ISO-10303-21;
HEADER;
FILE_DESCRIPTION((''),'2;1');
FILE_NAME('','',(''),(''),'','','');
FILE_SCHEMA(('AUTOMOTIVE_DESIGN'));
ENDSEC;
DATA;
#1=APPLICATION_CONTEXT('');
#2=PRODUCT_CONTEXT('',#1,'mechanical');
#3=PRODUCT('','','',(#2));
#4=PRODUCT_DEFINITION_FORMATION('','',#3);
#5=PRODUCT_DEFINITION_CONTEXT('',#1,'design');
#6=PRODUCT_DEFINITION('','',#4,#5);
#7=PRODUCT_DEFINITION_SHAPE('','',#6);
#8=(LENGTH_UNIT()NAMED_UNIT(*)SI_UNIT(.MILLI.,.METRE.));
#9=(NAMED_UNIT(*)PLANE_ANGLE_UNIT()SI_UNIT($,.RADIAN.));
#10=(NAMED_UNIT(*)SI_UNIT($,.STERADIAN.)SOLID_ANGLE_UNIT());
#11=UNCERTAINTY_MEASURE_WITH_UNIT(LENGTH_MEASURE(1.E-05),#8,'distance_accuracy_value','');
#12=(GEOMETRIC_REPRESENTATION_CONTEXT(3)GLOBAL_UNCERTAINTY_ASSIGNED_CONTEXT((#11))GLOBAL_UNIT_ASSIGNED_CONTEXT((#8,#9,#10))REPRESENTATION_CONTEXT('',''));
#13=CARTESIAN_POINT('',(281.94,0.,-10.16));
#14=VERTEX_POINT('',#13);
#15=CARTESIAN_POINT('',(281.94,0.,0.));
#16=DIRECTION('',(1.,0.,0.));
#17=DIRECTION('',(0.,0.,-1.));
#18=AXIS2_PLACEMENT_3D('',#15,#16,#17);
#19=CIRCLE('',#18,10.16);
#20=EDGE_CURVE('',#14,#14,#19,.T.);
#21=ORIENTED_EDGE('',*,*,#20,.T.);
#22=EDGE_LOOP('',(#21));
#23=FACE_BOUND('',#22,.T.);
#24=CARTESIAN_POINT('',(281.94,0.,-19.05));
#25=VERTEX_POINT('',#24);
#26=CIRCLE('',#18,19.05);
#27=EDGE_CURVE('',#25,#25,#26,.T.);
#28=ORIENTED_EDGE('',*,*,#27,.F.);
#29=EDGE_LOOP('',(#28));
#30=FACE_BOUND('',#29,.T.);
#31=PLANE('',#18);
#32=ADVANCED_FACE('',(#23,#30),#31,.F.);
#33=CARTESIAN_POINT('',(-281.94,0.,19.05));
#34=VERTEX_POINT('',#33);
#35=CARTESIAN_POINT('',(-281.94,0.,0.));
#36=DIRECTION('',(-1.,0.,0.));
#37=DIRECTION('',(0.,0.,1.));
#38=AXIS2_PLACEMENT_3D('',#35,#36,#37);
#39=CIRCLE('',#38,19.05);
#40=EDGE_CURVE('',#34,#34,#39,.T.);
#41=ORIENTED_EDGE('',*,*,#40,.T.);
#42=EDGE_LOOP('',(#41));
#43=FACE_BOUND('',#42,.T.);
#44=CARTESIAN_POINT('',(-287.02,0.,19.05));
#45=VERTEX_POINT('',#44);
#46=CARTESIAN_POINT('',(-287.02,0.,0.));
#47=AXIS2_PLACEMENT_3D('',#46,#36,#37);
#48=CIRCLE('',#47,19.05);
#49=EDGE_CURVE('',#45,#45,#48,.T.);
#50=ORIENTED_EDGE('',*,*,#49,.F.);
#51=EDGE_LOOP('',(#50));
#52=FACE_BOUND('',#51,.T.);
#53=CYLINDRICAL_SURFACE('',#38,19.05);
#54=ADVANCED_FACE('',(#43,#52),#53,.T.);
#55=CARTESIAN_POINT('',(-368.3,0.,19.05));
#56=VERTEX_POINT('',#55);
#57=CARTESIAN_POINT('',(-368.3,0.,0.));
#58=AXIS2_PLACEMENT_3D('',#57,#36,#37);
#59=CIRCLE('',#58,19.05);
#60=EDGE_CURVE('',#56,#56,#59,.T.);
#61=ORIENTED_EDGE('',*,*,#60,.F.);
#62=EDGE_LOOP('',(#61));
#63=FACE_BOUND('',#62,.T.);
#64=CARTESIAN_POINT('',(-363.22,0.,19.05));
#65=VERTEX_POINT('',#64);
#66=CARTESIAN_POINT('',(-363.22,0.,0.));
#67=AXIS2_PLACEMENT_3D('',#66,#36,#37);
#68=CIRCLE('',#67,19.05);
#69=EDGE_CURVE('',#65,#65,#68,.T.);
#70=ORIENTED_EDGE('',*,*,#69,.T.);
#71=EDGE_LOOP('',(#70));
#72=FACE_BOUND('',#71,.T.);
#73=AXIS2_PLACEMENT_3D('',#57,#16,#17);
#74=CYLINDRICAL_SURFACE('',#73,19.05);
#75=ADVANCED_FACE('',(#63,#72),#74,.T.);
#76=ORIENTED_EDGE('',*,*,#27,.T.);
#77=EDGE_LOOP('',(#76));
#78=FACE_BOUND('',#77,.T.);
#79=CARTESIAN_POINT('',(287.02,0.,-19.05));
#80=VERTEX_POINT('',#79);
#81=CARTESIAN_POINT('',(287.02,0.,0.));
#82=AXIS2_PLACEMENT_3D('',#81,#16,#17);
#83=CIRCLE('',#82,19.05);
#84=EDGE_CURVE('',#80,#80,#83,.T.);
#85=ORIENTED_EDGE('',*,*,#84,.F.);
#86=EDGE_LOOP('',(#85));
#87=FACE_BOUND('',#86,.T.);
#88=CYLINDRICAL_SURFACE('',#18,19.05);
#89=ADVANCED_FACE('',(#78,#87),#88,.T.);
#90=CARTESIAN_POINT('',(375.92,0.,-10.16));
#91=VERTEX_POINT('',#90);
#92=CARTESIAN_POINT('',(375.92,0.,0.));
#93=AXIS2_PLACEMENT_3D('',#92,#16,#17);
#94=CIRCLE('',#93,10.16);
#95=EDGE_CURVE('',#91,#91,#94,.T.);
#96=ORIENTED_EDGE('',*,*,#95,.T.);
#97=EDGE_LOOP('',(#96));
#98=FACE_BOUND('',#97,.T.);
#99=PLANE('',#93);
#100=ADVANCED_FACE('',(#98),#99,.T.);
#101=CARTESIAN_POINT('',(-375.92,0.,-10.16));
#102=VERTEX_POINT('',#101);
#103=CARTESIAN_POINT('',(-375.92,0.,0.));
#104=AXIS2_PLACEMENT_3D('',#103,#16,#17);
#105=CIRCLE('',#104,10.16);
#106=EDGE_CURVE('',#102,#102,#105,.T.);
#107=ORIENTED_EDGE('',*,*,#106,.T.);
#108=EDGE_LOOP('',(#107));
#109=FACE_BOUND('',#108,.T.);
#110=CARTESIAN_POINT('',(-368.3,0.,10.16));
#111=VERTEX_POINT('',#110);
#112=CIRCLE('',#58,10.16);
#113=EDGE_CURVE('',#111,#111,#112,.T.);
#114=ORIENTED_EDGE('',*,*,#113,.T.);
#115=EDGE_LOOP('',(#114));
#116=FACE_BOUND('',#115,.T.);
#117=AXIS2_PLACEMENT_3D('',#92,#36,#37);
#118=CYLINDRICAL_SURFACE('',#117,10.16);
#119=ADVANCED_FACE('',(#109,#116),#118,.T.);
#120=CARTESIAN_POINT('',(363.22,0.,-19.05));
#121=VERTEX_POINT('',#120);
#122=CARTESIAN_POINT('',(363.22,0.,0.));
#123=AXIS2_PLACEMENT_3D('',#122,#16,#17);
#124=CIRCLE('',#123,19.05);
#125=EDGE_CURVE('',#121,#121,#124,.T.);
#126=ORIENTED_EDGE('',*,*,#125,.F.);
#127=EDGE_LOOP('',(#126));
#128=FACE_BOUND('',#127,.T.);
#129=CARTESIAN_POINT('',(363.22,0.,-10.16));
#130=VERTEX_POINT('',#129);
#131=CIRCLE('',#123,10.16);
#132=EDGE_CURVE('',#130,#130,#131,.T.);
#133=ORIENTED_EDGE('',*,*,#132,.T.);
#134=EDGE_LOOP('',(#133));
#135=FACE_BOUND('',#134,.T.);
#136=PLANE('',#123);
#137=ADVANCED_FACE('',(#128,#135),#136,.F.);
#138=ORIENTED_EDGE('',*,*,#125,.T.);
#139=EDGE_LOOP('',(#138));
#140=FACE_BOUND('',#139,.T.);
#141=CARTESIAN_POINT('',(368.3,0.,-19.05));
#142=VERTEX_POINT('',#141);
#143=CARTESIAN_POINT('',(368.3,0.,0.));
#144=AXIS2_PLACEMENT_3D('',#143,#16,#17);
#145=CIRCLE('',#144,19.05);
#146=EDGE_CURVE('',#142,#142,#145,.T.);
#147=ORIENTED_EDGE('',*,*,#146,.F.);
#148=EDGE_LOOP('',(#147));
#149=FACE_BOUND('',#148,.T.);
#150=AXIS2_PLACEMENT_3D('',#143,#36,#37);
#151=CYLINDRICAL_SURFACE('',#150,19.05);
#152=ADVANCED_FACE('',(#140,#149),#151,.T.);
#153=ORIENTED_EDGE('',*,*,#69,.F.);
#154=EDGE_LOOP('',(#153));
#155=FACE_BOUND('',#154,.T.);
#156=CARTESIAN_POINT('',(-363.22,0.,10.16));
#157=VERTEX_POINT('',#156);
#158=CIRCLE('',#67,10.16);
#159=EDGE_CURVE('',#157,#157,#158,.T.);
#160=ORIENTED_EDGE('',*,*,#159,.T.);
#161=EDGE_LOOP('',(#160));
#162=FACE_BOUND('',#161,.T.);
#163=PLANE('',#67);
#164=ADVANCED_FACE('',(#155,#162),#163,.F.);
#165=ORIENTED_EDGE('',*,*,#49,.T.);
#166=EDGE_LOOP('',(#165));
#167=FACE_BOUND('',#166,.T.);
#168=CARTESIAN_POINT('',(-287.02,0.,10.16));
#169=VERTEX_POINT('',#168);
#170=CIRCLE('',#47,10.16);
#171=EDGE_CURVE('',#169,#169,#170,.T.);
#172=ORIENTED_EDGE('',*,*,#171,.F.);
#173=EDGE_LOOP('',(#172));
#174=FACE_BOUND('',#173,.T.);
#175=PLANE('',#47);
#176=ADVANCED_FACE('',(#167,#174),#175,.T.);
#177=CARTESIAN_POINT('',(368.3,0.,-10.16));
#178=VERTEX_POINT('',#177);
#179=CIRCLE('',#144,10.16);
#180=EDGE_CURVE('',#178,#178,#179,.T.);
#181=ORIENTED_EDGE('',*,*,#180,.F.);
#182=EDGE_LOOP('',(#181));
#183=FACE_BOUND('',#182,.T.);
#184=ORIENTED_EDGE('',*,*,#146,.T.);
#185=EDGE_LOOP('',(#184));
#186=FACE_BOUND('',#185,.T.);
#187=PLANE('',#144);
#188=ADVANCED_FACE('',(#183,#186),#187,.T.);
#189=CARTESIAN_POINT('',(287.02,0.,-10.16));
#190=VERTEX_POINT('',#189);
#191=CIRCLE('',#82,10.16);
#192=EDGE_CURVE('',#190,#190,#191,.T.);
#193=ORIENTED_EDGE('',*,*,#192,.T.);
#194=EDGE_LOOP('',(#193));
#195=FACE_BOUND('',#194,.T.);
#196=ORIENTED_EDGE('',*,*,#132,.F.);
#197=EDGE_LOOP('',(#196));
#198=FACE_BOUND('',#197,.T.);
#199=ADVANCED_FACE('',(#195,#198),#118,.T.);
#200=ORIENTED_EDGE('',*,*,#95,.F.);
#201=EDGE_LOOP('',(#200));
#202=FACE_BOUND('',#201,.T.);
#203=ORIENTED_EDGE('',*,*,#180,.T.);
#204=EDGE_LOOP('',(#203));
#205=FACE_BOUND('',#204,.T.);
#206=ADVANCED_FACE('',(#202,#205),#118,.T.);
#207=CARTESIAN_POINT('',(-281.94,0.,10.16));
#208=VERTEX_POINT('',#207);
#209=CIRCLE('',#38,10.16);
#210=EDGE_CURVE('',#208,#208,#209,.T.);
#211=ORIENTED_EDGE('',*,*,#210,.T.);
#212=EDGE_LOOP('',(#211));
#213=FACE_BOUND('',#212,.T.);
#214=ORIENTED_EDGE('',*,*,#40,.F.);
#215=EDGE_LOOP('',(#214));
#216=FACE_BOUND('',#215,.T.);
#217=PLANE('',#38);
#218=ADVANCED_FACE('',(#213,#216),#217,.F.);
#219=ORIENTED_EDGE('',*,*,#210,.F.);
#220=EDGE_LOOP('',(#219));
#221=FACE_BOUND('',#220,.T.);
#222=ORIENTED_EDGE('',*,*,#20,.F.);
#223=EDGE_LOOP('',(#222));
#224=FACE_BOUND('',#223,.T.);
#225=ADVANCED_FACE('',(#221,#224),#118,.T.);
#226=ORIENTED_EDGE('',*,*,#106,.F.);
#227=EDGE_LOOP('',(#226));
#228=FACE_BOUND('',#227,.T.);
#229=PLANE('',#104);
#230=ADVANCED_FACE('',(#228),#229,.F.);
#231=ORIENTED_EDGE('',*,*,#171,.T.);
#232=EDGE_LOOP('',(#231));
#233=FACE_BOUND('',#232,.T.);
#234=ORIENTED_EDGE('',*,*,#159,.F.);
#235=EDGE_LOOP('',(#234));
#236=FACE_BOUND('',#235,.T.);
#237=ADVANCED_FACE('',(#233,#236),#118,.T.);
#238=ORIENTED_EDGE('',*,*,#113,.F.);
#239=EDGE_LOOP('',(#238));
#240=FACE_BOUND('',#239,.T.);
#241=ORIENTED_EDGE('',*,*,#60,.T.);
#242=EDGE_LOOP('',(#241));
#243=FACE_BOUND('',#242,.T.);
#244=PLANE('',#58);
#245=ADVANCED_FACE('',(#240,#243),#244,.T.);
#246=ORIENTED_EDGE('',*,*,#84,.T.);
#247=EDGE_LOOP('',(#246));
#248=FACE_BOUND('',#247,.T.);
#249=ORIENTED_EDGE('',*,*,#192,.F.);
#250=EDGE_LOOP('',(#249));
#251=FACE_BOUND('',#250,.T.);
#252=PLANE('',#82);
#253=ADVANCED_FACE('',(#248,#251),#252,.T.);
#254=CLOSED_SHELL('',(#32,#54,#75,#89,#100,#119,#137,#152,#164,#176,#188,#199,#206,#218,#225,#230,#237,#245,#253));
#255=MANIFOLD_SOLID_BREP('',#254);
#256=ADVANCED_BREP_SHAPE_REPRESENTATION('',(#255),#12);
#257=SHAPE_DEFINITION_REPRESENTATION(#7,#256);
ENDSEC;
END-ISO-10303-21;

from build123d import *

# Parameters (mm, degrees)
SKETCH1_R           = 10.16
BOSS_EXTRUDE1_DEPTH = 375.92
BOSS_EXTRUDE2_START = -12.7
SKETCH2_R           = 19.05
BOSS_EXTRUDE2_DEPTH = 5.08
BOSS_EXTRUDE3_START = -93.98
SKETCH3_R           = 19.05
BOSS_EXTRUDE3_DEPTH = 5.08
BOSS_EXTRUDE4_START = -7.62
SKETCH4_R           = 19.05
BOSS_EXTRUDE4_DEPTH = 5.08
BOSS_EXTRUDE5_START = -88.9
SKETCH5_R           = 19.05
BOSS_EXTRUDE5_DEPTH = 5.08


with BuildPart() as part:
    # Sketch1 → Boss-Extrude1 (new, symmetric)
    with BuildSketch(Plane(origin=(0, 0, 0), x_dir=(0, 0, -1), z_dir=(1, 0, 0))):
        Circle(SKETCH1_R)
    extrude(amount=BOSS_EXTRUDE1_DEPTH, both=True)

    # Sketch2 → Boss-Extrude2 (add)
    with BuildSketch(Plane.ZY.offset(375.92).offset(BOSS_EXTRUDE2_START)):
        Circle(SKETCH2_R)
    extrude(amount=BOSS_EXTRUDE2_DEPTH)

    # Sketch3 → Boss-Extrude3 (add)
    with BuildSketch(Plane.ZY.offset(375.92).offset(BOSS_EXTRUDE3_START)):
        Circle(SKETCH3_R)
    extrude(amount=BOSS_EXTRUDE3_DEPTH)

    # Sketch4 → Boss-Extrude4 (add)
    with BuildSketch(Plane(origin=(375.92, 0, 0), x_dir=(0, 0, -1), z_dir=(1, 0, 0)).offset(BOSS_EXTRUDE4_START)):
        with Locations(Location((0, 0, 0), (0, 0, 180))):
            Circle(SKETCH4_R)
    extrude(amount=-BOSS_EXTRUDE4_DEPTH)

    # Sketch5 → Boss-Extrude5 (add)
    with BuildSketch(Plane(origin=(375.92, 0, 0), x_dir=(0, 0, -1), z_dir=(1, 0, 0)).offset(BOSS_EXTRUDE5_START)):
        with Locations(Location((0, 0, 0), (0, 0, 180))):
            Circle(SKETCH5_R)
    extrude(amount=-BOSS_EXTRUDE5_DEPTH)


solid = part.part
